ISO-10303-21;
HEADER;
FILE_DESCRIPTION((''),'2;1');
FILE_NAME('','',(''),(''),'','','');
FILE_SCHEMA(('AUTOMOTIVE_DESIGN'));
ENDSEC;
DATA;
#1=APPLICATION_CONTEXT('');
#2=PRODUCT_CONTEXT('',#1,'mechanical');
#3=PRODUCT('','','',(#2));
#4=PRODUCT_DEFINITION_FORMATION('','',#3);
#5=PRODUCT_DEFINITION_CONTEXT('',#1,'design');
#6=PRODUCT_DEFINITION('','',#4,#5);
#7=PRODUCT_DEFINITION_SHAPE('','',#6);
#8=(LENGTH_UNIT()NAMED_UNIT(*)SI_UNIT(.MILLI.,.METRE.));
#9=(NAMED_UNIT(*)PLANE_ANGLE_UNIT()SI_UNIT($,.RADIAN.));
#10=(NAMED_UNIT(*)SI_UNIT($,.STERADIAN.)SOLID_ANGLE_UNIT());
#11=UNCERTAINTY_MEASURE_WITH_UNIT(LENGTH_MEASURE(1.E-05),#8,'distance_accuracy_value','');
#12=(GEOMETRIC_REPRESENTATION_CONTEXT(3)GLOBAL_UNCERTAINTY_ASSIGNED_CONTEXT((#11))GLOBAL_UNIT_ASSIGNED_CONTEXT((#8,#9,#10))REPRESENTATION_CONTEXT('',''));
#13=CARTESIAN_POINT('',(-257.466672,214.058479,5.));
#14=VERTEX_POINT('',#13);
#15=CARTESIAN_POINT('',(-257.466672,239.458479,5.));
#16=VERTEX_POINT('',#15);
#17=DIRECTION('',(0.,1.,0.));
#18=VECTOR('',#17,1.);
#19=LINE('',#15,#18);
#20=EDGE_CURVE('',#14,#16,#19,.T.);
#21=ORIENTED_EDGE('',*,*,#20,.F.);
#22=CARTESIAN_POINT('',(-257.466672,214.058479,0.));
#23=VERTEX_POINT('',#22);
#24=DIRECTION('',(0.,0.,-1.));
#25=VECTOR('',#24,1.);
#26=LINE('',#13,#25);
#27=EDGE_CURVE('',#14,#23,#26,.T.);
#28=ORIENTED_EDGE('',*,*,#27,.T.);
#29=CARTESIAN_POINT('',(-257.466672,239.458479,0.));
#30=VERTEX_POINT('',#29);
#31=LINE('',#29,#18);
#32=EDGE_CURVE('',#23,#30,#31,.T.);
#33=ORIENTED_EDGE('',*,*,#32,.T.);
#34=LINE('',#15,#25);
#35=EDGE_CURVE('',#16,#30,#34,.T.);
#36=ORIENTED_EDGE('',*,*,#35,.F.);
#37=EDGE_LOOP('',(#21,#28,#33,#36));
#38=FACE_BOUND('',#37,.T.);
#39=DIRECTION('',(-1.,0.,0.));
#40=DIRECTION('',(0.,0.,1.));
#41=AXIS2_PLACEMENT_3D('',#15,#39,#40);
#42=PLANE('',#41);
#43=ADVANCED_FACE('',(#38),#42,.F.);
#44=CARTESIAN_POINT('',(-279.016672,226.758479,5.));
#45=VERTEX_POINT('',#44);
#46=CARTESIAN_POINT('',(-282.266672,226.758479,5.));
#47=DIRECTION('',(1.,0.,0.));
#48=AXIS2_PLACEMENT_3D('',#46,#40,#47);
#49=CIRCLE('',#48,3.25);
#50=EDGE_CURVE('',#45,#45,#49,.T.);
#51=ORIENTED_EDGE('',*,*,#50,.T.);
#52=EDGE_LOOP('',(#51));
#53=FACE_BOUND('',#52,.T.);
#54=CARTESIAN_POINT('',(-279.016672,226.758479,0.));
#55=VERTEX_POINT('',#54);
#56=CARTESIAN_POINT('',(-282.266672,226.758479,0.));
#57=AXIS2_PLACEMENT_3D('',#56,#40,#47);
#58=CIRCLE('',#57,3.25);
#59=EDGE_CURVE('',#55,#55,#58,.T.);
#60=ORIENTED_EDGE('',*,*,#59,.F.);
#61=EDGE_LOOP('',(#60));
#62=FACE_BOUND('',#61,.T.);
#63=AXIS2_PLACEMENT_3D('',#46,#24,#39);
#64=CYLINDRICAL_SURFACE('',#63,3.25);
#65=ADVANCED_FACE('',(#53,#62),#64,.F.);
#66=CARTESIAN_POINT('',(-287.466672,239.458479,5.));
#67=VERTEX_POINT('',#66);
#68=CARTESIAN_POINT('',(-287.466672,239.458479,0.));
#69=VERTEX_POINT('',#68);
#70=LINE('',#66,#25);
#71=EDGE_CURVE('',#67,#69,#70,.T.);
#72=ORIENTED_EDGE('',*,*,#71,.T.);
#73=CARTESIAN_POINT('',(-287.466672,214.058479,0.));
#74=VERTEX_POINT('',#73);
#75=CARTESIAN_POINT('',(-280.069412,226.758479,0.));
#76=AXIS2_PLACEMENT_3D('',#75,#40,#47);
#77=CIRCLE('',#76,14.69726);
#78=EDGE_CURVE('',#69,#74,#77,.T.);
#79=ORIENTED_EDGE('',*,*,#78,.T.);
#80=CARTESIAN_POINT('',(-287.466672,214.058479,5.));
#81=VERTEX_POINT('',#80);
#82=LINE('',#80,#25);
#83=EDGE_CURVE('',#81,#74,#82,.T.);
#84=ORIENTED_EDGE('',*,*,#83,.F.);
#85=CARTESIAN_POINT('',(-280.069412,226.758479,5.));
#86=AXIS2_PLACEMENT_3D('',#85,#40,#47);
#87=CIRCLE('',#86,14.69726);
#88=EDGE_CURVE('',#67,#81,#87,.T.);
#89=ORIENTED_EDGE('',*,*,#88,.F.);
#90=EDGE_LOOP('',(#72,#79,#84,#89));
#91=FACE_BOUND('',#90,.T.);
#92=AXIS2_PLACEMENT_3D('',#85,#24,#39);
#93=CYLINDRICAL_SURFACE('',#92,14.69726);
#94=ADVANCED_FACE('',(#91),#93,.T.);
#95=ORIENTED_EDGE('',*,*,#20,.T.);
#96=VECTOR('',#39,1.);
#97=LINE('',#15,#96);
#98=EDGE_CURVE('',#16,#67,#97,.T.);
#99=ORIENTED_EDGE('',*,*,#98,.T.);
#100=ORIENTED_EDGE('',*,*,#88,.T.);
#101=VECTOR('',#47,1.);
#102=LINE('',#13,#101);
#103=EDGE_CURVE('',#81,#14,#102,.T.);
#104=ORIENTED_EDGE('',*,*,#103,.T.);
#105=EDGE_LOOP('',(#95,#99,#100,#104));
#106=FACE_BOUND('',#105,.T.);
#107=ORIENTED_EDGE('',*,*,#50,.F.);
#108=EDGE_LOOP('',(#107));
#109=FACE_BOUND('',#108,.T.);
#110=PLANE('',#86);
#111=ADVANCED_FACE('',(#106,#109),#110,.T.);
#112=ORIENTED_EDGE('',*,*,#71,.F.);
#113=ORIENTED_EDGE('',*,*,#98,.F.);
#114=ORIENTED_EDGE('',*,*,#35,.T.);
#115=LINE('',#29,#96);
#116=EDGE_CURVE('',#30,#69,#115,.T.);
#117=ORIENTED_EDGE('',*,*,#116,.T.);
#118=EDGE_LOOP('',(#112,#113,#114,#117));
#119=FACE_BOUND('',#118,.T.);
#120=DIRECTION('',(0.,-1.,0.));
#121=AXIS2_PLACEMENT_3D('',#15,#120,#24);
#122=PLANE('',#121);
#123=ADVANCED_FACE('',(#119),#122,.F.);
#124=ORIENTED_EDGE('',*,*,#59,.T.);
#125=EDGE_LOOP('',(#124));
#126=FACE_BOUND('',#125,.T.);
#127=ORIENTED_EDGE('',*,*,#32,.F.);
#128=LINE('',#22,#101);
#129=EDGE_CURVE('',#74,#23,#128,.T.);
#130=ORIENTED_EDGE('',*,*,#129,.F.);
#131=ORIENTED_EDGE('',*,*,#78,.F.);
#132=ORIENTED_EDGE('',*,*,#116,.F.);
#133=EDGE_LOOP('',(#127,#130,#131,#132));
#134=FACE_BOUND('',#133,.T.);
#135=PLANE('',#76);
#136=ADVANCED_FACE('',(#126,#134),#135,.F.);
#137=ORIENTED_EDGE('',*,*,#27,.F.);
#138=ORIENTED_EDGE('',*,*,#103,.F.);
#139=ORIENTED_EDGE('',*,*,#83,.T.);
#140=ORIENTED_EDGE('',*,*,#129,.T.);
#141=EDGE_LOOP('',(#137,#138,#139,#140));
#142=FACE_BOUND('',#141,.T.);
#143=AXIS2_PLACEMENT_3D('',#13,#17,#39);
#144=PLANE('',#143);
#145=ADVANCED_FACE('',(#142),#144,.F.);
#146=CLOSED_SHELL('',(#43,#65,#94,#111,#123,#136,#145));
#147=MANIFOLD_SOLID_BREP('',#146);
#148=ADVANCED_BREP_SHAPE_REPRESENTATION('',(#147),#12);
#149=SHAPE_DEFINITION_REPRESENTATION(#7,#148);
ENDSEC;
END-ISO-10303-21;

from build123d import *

# Parameters (mm, degrees)
SKETCH2_R           = 3.25
BOSS_EXTRUDE1_DEPTH = 5


with BuildPart() as part:
    # Sketch2 → Boss-Extrude1 (new body)
    with BuildSketch(Plane(origin=(-6.466672358, 0, 0), x_dir=(1, 0, 0), z_dir=(0, 0, 1))):
        with BuildLine():
            Line((-251, 239.45847851), (-281, 239.45847851))
            ThreePointArc((-281, 239.45847851), (-288.3, 226.75847851), (-281, 214.05847851))
            Line((-281, 214.05847851), (-251, 214.05847851))
            Line((-251, 214.05847851), (-251, 239.45847851))
        make_face()
        with Locations((-275.8, 226.75847851)):
            Circle(SKETCH2_R, mode=Mode.SUBTRACT)
    extrude(amount=BOSS_EXTRUDE1_DEPTH)


solid = part.part
